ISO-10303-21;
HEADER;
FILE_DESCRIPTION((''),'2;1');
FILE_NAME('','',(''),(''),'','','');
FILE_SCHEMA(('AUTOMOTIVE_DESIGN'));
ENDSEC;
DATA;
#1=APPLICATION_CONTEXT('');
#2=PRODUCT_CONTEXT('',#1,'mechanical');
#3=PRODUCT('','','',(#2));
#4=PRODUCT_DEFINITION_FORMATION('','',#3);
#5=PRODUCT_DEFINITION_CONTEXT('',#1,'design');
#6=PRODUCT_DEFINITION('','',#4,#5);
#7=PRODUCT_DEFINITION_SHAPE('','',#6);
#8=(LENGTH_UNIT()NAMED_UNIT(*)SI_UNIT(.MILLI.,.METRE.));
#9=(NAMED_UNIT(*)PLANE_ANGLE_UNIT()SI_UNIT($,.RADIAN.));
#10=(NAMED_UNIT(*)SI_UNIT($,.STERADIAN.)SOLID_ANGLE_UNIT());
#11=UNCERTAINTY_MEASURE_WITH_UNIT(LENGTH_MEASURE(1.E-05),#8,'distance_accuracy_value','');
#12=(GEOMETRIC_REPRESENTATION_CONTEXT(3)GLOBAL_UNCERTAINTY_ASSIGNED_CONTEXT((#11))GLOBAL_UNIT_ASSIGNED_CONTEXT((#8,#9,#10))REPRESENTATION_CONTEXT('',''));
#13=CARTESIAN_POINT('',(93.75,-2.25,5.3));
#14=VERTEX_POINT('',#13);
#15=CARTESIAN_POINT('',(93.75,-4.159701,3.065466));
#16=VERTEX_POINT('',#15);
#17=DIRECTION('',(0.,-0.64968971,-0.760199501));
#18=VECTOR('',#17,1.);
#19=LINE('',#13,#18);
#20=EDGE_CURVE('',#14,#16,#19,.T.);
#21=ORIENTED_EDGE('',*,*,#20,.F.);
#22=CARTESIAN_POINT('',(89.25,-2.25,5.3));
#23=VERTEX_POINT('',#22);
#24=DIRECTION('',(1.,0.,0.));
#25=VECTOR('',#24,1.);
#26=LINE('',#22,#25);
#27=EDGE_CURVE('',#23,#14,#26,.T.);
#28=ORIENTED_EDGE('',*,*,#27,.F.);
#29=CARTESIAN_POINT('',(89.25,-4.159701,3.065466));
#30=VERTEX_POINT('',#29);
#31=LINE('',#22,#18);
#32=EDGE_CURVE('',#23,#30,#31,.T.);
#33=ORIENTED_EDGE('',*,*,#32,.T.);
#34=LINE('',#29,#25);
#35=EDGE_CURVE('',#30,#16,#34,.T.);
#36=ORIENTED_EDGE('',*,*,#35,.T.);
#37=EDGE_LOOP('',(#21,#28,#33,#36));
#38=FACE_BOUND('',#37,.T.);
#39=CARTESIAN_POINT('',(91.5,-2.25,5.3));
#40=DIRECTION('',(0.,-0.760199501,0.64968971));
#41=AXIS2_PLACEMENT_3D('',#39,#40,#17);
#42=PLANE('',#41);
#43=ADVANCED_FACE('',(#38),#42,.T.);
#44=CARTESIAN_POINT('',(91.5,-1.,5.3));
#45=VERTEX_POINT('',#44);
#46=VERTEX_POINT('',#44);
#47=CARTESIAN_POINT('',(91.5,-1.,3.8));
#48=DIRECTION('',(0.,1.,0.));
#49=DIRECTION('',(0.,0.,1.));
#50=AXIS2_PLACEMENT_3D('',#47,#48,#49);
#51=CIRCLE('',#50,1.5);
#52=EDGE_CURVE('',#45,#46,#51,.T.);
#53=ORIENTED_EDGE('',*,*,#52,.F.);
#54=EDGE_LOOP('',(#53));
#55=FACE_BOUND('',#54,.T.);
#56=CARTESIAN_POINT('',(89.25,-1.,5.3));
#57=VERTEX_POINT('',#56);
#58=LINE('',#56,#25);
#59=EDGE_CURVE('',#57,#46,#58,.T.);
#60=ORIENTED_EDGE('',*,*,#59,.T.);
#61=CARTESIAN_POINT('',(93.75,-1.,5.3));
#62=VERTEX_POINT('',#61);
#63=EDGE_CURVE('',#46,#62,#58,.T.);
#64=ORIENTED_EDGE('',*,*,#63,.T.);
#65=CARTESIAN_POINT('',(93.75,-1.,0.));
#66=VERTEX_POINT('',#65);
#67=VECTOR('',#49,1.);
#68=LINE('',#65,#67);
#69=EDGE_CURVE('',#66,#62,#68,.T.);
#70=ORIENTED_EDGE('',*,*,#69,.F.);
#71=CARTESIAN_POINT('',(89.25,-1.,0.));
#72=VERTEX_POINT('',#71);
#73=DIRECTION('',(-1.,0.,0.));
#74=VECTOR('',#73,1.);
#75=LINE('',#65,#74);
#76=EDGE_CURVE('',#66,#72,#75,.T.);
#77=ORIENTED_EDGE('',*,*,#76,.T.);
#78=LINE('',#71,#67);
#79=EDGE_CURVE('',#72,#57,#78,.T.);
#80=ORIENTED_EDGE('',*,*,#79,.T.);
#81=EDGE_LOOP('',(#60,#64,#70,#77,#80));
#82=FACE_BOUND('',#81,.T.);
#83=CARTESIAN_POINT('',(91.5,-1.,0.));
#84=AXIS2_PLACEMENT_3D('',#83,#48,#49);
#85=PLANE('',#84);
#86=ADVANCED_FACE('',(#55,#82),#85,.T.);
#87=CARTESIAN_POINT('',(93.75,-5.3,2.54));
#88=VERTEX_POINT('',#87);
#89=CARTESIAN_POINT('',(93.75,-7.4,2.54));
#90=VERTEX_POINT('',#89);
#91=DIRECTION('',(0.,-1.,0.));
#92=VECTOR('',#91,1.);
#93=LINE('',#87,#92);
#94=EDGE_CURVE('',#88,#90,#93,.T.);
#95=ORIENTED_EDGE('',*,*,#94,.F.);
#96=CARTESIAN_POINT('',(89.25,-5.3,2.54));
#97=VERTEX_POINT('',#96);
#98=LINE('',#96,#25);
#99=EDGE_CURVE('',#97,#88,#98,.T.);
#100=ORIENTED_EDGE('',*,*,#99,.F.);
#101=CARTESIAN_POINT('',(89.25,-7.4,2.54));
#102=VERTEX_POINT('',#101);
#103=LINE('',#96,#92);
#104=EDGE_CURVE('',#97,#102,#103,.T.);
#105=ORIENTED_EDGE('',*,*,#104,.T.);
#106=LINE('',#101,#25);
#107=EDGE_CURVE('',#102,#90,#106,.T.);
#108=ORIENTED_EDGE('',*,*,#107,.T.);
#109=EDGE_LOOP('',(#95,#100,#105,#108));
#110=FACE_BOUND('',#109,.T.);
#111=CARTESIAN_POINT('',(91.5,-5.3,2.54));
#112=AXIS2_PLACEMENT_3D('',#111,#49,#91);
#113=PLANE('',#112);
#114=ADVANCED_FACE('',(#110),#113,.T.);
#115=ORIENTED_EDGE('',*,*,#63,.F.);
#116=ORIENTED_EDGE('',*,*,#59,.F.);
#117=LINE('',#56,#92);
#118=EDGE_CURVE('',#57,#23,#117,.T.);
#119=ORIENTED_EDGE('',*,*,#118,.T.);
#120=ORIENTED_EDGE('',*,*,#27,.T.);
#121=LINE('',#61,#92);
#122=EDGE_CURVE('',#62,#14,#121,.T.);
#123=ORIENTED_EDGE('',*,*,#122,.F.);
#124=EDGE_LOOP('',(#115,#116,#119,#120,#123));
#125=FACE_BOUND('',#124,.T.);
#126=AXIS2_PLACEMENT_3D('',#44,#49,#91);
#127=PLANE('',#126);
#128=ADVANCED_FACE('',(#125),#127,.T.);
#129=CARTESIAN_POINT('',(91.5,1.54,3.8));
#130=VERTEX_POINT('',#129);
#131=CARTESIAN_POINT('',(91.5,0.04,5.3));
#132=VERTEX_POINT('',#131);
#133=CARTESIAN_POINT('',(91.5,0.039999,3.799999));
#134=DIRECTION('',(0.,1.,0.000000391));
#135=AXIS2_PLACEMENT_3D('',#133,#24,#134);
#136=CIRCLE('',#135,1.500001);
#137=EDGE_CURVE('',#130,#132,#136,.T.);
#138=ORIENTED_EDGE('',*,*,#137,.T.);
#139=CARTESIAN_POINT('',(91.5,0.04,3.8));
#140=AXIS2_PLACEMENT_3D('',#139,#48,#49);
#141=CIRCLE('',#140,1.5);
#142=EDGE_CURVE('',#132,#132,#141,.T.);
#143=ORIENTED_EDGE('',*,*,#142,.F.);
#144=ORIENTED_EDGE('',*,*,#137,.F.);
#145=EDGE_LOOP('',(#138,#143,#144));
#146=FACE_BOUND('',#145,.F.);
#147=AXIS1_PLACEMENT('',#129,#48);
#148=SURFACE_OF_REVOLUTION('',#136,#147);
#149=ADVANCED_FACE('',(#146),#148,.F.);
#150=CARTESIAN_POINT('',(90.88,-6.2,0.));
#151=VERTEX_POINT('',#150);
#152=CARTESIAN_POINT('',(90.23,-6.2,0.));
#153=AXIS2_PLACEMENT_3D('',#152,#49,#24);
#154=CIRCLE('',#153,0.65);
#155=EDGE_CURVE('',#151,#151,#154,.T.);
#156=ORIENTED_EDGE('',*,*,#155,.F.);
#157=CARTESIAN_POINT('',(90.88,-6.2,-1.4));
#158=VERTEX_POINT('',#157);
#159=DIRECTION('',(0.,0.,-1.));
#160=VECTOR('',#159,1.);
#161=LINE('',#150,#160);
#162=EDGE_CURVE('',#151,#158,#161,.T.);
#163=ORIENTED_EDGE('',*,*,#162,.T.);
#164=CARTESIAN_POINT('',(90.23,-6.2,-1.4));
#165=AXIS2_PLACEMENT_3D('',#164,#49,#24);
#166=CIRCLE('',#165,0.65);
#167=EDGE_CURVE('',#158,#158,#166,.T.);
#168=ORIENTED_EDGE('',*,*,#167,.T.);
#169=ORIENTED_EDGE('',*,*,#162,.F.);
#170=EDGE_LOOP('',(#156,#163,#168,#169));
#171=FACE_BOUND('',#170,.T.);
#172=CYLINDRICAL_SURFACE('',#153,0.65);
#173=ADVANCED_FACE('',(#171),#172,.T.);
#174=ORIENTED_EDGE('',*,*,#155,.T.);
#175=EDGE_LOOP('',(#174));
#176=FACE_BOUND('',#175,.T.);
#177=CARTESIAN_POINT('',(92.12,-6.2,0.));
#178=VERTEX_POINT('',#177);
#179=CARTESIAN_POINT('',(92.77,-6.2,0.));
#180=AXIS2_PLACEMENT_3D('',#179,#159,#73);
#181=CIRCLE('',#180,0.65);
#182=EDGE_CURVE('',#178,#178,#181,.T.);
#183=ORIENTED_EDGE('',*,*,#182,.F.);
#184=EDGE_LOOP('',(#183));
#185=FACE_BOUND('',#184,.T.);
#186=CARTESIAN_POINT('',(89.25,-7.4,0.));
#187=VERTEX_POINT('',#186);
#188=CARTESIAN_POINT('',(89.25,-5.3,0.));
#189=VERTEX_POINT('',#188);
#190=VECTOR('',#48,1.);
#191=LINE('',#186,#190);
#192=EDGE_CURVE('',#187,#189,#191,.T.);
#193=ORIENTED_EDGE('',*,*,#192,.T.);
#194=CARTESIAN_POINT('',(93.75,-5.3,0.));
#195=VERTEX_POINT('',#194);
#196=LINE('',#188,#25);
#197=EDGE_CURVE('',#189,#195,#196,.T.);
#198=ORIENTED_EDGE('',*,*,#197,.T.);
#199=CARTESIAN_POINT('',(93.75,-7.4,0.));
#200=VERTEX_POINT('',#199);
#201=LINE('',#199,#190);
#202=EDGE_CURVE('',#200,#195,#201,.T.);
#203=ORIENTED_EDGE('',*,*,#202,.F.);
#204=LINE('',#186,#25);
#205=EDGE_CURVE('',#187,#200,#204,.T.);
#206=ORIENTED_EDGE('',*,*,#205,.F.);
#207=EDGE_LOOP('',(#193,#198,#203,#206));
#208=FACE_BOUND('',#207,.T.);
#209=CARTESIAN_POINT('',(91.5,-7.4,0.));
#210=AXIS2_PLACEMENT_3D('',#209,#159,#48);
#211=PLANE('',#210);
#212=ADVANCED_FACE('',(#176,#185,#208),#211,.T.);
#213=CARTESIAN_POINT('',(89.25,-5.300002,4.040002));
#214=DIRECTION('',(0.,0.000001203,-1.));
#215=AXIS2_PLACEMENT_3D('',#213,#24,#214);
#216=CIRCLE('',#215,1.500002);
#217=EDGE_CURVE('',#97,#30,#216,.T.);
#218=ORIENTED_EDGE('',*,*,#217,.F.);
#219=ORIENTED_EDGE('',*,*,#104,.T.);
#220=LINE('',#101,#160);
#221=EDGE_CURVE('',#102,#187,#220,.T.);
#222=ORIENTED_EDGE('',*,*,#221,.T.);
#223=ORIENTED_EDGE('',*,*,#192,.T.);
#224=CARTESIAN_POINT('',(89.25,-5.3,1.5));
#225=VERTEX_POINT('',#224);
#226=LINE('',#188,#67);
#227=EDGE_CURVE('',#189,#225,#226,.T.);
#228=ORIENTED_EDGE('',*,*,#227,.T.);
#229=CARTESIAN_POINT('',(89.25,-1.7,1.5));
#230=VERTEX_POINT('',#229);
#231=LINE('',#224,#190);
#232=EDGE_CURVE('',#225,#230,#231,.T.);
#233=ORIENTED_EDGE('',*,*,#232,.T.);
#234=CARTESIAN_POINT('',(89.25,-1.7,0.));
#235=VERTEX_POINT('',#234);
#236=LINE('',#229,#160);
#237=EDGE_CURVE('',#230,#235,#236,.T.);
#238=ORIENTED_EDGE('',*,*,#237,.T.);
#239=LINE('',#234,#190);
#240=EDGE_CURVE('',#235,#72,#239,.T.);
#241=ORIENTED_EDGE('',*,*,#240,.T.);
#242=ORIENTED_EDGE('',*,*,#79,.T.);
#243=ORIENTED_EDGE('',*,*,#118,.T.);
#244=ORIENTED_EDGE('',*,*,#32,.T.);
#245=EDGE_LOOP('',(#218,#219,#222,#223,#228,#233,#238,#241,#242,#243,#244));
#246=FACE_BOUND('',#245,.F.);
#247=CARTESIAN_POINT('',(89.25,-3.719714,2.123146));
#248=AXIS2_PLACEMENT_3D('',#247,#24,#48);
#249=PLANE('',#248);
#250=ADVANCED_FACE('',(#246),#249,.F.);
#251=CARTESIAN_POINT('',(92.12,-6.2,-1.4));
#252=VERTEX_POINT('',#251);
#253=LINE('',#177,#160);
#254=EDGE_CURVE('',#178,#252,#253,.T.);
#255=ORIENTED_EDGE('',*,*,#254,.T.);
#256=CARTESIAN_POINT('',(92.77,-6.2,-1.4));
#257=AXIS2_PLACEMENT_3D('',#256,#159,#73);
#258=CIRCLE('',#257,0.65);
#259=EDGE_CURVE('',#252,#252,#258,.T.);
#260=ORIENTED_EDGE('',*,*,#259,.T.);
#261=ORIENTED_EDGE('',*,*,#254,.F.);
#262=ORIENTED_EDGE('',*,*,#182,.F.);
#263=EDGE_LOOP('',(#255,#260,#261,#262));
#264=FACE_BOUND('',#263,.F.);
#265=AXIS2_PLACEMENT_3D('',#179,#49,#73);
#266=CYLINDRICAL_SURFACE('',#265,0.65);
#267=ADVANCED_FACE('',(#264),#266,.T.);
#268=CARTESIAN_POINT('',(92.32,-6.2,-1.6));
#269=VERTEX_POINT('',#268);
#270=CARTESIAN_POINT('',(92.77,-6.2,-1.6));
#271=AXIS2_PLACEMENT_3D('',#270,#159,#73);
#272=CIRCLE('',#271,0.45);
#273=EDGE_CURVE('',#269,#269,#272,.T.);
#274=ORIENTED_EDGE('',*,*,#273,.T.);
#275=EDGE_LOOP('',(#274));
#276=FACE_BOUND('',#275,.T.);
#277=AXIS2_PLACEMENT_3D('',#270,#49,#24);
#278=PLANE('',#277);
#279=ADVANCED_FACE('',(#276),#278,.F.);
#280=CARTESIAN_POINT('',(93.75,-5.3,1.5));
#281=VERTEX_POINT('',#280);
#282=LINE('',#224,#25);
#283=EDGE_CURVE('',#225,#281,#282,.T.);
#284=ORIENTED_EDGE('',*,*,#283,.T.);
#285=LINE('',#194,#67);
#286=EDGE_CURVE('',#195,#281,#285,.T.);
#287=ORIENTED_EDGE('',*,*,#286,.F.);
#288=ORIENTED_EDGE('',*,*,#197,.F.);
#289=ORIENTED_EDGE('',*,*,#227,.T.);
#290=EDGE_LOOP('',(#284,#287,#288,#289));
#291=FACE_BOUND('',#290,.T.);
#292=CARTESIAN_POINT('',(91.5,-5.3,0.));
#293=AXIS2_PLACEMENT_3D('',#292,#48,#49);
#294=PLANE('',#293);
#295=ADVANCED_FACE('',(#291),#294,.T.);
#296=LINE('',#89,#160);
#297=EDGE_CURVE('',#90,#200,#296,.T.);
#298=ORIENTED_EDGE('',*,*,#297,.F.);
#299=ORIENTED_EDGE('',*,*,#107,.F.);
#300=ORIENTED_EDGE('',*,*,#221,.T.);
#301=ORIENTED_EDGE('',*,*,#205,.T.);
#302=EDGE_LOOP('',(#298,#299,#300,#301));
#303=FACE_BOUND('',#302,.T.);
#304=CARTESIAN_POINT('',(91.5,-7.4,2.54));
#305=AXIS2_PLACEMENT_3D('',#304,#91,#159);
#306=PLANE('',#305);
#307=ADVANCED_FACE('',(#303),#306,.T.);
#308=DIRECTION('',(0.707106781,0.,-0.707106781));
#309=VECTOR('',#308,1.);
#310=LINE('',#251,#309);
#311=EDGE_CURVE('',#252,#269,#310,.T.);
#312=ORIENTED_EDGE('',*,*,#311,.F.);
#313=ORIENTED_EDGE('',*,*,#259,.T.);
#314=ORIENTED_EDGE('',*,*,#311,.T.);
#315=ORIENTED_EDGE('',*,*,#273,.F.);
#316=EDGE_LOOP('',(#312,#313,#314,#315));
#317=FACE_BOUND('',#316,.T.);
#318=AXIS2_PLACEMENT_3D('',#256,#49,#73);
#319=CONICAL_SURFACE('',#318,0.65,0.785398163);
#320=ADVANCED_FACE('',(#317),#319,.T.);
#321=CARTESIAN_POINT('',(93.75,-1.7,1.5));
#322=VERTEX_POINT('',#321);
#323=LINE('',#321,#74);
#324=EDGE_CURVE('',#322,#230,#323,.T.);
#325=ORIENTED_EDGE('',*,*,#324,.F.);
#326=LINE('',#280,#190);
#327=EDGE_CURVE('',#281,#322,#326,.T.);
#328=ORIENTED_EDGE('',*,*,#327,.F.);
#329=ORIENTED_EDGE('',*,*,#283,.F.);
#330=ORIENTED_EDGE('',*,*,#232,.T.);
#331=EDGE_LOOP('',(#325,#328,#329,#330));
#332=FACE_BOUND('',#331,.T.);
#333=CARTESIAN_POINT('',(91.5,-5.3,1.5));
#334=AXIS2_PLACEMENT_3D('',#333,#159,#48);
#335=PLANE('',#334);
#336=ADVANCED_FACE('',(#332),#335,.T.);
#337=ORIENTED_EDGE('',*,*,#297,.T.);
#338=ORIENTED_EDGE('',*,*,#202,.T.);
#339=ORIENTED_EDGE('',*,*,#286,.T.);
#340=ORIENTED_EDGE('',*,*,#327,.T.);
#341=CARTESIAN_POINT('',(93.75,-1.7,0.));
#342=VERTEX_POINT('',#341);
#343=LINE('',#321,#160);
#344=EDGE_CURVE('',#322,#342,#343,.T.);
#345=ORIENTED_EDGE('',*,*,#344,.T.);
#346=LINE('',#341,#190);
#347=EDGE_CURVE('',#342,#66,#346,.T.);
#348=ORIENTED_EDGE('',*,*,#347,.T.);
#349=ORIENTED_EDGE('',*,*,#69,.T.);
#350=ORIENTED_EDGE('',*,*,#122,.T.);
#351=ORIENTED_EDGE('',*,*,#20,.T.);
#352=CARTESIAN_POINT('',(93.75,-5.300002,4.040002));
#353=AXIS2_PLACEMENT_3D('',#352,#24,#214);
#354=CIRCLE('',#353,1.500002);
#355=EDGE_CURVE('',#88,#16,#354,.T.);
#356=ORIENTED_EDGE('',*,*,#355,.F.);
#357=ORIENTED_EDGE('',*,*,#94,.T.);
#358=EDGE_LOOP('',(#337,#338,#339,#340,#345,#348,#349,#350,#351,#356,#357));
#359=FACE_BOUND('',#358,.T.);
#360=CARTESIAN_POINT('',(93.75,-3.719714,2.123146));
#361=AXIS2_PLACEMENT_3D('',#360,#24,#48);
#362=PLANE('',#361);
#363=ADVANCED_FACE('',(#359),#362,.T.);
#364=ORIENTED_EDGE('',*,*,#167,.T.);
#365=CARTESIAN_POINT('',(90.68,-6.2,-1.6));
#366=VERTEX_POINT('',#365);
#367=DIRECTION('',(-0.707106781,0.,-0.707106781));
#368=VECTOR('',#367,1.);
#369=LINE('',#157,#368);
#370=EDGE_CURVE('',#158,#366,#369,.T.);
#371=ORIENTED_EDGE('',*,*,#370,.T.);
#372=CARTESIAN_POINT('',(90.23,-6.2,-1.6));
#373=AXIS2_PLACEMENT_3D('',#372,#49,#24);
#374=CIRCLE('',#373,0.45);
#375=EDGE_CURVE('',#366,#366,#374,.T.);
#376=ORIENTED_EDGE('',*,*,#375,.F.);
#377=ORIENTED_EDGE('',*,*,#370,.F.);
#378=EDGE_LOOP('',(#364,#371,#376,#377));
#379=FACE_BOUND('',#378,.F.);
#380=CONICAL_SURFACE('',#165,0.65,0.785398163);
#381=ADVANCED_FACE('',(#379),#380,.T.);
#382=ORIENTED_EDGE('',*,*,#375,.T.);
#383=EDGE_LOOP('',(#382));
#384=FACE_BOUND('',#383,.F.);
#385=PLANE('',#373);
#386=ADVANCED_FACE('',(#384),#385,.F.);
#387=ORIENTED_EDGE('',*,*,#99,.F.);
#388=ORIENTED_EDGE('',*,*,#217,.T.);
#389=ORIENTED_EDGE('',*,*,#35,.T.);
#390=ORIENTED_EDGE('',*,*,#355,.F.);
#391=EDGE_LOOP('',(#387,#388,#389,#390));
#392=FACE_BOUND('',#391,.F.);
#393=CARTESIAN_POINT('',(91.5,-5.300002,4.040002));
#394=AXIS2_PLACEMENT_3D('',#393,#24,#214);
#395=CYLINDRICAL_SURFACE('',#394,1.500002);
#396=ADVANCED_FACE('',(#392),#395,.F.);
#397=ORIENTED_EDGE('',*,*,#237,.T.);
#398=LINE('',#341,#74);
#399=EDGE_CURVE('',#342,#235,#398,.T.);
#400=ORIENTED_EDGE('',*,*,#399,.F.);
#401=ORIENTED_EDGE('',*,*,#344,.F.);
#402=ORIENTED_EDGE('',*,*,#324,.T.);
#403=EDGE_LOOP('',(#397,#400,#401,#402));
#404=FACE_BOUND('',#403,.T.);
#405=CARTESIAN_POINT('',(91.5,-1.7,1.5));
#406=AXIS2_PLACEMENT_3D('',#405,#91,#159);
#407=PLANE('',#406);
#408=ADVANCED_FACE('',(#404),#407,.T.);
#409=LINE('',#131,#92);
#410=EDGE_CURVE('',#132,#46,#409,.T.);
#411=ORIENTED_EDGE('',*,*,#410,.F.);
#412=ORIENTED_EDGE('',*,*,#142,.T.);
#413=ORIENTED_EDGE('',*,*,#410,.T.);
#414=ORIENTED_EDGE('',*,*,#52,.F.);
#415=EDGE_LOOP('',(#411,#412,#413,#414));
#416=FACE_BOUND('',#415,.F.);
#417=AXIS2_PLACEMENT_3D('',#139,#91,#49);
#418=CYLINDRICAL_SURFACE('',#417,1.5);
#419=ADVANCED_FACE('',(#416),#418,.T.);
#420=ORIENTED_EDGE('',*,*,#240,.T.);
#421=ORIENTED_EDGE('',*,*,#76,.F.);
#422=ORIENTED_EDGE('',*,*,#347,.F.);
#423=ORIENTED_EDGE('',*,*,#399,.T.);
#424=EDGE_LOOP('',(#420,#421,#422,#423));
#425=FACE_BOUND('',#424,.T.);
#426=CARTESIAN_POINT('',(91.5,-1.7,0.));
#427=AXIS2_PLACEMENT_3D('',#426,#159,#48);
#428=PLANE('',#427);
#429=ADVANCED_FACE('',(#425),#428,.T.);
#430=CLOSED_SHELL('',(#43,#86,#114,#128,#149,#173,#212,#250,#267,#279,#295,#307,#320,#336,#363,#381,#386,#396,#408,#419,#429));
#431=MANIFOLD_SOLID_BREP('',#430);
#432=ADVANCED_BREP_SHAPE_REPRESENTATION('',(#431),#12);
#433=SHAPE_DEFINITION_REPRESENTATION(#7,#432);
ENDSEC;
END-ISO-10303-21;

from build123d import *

# Parameters (mm, degrees)
PAD013_DEPTH    = 2.25
SKETCH022_R     = 0.65
PAD014_DEPTH    = 1.6
CHAMFER003_SIZE = 0.2


with BuildPart() as part:
    # Sketch020 → Pad013 (new body, symmetric)
    with BuildSketch(Plane.YZ):
        with BuildLine():
            Line((0, 0), (0, 5.3))
            Line((0, 5.3), (-1.25, 5.3))
            Line((-1.25, 5.3), (-3.159701, 3.065466))
            ThreePointArc((-4.3, 2.54), (-3.672227, 2.677686), (-3.159701, 3.065466))
            Line((-4.3, 2.54), (-6.4, 2.54))
            Line((-6.4, 2.54), (-6.4, 0))
            Line((-6.4, 0), (-4.3, 0))
            Line((-4.3, 0), (-4.3, 1.5))
            Line((-4.3, 1.5), (-0.7, 1.5))
            Line((-0.7, 1.5), (-0.7, 0))
            Line((-0.7, 0), (0, 0))
        make_face()
    extrude(amount=PAD013_DEPTH, both=True)

    # Sketch021 → Revolution (revolve)
    with BuildSketch(Plane.YZ):
        with BuildLine():
            Line((0, 3.8), (2.54, 3.8))
            ThreePointArc((2.54, 3.8), (2.10066, 4.86066), (1.04, 5.3))
            Line((1.04, 5.3), (0, 5.3))
            Line((0, 5.3), (0, 3.8))
        make_face()
    revolve(axis=Axis((0, 2.54, 3.8), (0, 1, 0)))

    # Sketch022 → Pad014 (join)
    with BuildSketch(Plane.XY):
        with Locations((-1.27, -5.2)):
            Circle(SKETCH022_R)
    pad014 = extrude(amount=-PAD014_DEPTH)

    # Mirrored003: Pad014 across Sketch022 V_Axis
    add(pad014.mirror(Plane(origin=(0, 0, 0), x_dir=(0, 0, 1), z_dir=(1, 0, 0))))

    # Chamfer003
    chamfer003_edges = [part.edges().sort_by_distance(p)[0] for p in [
        (1.92, -5.2, -1.6),
        (-1.92, -5.2, -1.6),
    ]]
    chamfer(chamfer003_edges, length=CHAMFER003_SIZE)


with BuildPart() as part_1:
    # Clone001 placement: moved
    add(part.part.moved(Location((91.5, -1, 0))))


solid = part_1.part
